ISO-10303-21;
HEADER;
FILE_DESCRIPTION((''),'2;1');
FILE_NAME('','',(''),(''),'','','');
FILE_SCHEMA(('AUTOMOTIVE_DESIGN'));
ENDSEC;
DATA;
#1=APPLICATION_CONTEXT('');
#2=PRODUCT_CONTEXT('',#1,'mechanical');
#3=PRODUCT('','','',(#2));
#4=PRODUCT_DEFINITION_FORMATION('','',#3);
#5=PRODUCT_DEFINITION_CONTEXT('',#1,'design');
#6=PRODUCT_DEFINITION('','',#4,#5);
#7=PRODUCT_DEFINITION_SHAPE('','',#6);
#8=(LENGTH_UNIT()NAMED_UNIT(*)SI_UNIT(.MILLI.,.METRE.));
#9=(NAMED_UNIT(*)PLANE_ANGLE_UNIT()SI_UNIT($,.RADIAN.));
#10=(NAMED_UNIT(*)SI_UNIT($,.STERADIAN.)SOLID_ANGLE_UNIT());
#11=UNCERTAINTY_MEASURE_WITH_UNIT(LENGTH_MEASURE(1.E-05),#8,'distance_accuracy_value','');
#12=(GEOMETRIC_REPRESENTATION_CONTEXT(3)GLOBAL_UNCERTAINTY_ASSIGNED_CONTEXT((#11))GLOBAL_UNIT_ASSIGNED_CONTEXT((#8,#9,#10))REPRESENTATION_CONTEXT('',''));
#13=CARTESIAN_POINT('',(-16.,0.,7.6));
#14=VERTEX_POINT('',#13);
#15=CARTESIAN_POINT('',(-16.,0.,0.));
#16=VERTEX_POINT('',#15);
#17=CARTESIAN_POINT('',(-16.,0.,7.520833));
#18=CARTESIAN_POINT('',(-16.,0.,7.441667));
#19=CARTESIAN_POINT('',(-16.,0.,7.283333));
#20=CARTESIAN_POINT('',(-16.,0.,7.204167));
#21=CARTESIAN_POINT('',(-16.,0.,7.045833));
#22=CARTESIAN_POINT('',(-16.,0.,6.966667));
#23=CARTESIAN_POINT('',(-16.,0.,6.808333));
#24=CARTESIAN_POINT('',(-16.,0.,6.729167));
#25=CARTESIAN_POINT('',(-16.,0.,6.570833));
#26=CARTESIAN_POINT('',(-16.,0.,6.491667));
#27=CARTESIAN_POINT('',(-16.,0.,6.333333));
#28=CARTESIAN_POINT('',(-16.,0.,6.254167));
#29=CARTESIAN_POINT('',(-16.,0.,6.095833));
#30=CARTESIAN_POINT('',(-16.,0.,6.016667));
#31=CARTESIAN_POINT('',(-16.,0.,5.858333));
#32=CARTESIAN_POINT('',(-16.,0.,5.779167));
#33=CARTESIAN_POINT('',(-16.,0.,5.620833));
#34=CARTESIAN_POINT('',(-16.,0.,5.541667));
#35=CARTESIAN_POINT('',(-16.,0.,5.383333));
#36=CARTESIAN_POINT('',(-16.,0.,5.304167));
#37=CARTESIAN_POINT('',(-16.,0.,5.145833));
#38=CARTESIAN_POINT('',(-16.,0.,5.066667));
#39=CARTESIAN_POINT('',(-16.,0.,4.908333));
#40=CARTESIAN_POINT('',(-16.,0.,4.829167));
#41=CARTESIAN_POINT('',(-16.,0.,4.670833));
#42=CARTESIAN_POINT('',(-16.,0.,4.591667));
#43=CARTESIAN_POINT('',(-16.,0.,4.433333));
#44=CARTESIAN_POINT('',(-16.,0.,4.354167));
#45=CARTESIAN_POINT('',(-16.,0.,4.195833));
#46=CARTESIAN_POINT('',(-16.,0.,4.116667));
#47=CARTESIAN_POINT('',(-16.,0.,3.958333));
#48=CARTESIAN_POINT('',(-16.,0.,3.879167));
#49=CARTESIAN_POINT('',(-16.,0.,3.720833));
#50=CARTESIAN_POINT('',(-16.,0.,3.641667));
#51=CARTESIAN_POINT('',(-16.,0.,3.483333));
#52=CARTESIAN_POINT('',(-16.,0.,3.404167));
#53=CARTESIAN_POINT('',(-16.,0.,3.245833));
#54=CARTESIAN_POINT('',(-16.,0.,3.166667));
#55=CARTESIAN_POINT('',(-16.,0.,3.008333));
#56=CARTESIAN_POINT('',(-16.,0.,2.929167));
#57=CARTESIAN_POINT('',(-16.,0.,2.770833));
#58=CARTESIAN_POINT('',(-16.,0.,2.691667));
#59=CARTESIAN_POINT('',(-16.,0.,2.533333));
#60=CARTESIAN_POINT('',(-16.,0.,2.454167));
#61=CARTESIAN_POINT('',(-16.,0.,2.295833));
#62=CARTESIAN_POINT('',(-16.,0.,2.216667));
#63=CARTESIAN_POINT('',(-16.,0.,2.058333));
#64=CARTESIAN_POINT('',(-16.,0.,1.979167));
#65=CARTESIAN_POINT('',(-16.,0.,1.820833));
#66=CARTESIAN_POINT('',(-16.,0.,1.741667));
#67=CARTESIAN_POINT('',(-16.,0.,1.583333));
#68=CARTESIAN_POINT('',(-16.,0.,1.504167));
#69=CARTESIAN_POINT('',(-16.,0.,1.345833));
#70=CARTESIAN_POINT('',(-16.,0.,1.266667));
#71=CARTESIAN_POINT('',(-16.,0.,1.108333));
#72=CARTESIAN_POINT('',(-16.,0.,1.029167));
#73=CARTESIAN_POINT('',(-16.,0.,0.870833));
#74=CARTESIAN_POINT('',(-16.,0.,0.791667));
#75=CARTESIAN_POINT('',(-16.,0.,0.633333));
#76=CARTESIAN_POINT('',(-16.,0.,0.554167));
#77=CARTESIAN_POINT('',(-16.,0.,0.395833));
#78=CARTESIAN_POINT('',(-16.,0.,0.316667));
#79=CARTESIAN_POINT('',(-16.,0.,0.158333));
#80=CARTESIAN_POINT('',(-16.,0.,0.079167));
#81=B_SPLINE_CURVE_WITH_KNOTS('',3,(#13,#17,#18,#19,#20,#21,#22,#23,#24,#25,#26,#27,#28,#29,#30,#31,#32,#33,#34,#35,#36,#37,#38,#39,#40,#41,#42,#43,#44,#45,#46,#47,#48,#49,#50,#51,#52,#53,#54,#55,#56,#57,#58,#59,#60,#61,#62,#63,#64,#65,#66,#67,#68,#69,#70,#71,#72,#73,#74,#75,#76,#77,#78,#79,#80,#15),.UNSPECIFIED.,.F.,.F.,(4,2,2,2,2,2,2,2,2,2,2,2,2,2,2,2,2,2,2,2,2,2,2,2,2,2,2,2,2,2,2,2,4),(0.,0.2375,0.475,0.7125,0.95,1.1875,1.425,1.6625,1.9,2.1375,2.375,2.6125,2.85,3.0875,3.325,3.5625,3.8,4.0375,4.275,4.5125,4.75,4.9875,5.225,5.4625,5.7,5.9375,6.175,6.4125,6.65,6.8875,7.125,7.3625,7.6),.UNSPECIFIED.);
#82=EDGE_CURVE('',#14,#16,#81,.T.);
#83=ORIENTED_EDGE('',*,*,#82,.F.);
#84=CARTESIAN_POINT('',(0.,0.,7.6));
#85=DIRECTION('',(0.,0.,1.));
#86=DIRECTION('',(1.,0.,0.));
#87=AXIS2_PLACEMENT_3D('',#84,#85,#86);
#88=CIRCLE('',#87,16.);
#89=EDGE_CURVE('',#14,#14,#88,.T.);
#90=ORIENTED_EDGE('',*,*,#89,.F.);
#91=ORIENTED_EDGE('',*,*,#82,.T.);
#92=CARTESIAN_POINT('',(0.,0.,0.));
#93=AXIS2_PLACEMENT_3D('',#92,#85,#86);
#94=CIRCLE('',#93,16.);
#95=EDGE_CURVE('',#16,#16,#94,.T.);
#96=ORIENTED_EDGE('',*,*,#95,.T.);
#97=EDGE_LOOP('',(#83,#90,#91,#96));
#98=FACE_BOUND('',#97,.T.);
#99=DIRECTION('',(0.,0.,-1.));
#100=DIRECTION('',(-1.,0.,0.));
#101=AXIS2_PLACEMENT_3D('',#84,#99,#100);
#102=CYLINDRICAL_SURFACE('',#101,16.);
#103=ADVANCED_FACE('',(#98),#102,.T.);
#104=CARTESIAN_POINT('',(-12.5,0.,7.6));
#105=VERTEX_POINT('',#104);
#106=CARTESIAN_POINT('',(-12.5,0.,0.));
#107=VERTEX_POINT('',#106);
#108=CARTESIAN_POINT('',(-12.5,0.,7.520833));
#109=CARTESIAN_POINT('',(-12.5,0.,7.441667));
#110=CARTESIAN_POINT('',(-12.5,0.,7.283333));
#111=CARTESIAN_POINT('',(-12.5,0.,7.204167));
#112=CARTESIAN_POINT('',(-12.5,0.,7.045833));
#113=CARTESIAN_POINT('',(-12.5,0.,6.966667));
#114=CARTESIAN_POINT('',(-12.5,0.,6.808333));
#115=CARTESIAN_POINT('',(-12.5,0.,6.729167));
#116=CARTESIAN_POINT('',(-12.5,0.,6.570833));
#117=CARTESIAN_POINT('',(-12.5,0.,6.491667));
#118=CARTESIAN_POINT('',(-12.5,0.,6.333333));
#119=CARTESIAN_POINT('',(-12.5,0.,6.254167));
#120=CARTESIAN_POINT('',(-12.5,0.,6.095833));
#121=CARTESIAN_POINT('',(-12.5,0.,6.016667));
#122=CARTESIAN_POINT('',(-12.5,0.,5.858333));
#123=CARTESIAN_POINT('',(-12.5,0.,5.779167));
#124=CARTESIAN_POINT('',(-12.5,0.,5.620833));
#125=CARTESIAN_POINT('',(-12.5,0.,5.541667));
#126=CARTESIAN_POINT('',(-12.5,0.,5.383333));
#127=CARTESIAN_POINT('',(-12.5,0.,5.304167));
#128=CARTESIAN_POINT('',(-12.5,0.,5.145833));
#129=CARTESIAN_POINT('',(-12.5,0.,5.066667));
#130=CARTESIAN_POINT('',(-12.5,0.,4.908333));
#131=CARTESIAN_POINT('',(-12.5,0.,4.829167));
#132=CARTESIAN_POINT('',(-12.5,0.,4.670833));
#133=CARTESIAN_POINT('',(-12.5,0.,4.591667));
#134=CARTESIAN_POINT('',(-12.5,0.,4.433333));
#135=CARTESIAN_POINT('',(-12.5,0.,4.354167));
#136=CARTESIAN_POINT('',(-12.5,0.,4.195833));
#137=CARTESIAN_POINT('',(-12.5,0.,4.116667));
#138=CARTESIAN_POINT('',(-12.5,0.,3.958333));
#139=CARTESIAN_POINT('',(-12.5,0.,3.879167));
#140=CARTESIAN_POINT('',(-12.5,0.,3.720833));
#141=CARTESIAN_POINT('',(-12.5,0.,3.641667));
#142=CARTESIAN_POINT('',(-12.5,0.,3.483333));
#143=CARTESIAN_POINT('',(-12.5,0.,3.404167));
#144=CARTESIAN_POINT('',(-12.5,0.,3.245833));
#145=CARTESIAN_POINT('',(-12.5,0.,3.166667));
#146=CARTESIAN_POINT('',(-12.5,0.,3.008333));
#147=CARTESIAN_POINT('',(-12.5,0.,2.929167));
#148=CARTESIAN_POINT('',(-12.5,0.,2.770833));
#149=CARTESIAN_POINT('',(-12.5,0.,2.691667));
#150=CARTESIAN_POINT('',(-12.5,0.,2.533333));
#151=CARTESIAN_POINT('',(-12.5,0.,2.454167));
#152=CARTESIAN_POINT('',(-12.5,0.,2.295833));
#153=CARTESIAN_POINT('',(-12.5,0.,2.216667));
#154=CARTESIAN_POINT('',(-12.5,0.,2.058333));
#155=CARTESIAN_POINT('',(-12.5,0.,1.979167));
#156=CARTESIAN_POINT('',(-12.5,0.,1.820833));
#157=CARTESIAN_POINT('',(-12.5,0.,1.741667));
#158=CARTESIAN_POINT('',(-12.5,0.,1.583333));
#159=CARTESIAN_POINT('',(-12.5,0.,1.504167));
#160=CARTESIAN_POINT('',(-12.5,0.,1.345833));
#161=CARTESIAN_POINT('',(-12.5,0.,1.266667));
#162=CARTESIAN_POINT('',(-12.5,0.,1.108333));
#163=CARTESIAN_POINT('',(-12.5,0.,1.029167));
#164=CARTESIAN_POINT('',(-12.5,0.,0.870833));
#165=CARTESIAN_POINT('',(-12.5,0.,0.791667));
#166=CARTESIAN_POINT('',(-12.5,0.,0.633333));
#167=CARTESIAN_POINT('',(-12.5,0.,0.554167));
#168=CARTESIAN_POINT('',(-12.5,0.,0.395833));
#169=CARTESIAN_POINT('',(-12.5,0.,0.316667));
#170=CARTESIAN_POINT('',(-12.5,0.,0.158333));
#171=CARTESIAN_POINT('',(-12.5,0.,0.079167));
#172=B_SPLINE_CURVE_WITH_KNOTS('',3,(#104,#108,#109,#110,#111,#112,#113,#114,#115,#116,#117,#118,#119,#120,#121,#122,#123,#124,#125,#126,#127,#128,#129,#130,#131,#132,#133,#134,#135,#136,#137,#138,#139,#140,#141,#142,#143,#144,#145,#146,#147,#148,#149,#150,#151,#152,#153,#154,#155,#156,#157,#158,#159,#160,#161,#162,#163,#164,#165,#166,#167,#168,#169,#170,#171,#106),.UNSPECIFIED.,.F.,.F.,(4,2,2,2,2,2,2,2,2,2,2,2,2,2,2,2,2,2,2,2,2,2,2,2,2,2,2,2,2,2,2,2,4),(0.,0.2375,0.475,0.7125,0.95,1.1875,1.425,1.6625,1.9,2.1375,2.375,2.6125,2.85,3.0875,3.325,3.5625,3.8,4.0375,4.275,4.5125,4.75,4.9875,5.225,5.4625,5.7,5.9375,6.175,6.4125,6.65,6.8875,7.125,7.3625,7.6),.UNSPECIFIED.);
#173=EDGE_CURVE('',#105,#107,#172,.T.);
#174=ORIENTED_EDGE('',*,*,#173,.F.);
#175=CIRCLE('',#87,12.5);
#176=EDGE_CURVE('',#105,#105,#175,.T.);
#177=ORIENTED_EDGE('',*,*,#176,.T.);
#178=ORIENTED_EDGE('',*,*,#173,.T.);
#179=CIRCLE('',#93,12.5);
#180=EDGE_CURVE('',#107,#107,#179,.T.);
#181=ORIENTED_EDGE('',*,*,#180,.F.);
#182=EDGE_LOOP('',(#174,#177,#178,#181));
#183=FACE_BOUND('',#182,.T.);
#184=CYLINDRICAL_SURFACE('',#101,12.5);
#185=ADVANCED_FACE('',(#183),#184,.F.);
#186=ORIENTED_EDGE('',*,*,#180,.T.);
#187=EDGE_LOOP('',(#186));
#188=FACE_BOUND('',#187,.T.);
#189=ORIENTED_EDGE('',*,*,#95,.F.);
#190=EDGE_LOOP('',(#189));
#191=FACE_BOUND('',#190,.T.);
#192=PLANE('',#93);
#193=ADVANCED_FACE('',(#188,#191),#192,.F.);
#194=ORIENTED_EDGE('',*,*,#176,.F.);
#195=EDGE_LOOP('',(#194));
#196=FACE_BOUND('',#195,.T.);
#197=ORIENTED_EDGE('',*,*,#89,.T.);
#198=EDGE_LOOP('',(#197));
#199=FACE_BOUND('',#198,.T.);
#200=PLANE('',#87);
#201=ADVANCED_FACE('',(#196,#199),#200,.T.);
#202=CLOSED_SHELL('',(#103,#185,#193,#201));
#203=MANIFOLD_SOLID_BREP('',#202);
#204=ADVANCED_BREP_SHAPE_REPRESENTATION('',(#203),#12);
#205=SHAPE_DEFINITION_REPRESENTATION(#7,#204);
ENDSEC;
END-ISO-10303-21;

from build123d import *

# Parameters (mm, degrees)
SKETCH1_R           = 16
SKETCH1_R_2         = 12.5
BOSS_EXTRUDE1_DEPTH = 7.6


with BuildPart() as part:
    # Sketch1 → Boss-Extrude1 (new body)
    with BuildSketch(Plane.XY):
        with Locations(Location((0, 0, 0), (0, 0, 180))):
            Circle(SKETCH1_R)
        with Locations(Location((0, 0, 0), (0, 0, 180))):
            Circle(SKETCH1_R_2, mode=Mode.SUBTRACT)
    extrude(amount=BOSS_EXTRUDE1_DEPTH)


solid = part.part
